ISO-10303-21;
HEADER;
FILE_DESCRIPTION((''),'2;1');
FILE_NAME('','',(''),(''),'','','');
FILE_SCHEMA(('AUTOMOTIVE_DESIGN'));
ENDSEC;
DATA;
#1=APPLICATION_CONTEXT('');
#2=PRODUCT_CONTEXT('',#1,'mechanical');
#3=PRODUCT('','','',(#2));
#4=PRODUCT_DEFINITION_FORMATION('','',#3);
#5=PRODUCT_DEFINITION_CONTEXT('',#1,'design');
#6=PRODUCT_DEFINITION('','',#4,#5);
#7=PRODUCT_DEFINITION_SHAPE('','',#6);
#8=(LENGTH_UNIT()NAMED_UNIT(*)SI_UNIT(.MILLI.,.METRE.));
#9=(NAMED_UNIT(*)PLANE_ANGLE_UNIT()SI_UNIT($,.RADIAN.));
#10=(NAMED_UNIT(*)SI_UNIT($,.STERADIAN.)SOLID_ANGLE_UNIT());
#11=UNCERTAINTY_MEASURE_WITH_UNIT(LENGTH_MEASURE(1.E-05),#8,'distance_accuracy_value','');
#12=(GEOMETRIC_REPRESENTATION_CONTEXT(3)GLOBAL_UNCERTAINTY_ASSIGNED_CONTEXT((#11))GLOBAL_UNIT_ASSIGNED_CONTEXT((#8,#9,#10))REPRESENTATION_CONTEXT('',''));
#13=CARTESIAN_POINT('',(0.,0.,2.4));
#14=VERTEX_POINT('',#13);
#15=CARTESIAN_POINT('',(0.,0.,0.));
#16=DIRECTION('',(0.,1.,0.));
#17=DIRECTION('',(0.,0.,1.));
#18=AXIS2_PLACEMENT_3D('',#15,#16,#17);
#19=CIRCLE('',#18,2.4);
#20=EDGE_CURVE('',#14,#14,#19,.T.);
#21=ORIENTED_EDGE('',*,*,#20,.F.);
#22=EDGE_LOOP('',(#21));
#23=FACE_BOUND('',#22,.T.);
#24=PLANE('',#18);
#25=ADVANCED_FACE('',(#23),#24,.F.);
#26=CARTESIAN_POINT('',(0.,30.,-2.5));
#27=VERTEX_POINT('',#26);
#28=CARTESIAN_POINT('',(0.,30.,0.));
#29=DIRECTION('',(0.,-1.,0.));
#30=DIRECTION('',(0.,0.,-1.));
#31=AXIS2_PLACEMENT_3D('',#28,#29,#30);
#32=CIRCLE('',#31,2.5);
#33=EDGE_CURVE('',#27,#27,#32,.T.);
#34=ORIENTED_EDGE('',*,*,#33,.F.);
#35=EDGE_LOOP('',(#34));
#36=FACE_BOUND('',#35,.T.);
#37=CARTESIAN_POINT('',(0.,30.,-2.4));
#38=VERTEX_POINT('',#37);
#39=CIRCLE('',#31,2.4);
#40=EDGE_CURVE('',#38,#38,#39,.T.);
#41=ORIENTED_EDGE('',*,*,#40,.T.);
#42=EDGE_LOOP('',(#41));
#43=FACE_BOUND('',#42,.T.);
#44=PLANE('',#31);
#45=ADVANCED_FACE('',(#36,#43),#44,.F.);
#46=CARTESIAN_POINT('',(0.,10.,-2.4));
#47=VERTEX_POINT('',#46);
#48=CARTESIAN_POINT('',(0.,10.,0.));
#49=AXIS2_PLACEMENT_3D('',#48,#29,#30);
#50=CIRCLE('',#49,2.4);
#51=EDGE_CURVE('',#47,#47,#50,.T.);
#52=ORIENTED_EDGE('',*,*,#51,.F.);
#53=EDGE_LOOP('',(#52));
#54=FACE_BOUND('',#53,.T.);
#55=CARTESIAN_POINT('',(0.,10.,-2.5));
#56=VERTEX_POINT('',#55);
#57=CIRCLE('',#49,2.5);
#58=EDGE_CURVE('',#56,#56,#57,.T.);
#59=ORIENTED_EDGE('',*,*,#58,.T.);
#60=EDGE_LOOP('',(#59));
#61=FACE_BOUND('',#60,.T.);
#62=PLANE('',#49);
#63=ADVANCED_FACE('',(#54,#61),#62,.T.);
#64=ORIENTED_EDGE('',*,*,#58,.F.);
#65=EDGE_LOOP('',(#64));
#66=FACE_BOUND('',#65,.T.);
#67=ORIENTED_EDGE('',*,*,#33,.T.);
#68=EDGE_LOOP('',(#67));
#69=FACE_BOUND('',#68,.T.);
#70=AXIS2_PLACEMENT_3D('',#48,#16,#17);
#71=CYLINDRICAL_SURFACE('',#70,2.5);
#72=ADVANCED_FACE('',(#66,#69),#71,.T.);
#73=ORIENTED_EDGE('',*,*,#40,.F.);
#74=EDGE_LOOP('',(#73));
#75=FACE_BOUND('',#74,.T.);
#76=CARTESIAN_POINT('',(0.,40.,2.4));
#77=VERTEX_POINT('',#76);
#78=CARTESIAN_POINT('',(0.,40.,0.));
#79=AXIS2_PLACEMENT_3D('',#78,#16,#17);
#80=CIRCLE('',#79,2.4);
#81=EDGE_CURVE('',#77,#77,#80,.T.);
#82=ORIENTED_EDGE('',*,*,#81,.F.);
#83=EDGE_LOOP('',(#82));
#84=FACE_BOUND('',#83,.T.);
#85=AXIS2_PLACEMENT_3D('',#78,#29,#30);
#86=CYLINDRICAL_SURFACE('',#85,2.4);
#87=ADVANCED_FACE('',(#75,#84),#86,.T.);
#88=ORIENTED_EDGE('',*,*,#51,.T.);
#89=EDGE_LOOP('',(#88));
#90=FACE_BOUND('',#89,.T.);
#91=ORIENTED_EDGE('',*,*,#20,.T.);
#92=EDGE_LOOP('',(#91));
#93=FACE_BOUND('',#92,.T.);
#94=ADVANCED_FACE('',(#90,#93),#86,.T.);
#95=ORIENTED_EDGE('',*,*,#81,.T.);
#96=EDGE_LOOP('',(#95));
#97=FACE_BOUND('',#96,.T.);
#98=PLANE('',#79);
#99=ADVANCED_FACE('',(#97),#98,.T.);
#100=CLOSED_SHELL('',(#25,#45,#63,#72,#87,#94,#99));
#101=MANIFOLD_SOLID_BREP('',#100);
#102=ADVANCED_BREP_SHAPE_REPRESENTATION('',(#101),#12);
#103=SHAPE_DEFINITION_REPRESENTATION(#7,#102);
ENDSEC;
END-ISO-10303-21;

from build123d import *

# Parameters (mm, degrees)
SKETCH_1_R      = 2.4
EXTRUDE_1_DEPTH = 40
SKETCH_2_R      = 2.5
EXTRUDE_2_DEPTH = 10


with BuildPart() as part:
    # 草图1 → 凸台-拉伸1 (new body)
    with BuildSketch(Plane(origin=(0, 0, 0), x_dir=(1, 0, 0), z_dir=(0, 1, 0))):
        with Locations(Location((0, 0, 0), (0, 0, 270))):
            Circle(SKETCH_1_R)
    extrude(amount=EXTRUDE_1_DEPTH)

    # 草图2 → 凸台-拉伸2 (add, symmetric)
    with BuildSketch(Plane(origin=(0, 20, 0), x_dir=(-1, 0, 0), z_dir=(0, -1, 0))):
        with Locations(Location((0, 0, 0), (0, 0, 90))):
            Circle(SKETCH_2_R)
    extrude(amount=EXTRUDE_2_DEPTH, both=True)


solid = part.part
